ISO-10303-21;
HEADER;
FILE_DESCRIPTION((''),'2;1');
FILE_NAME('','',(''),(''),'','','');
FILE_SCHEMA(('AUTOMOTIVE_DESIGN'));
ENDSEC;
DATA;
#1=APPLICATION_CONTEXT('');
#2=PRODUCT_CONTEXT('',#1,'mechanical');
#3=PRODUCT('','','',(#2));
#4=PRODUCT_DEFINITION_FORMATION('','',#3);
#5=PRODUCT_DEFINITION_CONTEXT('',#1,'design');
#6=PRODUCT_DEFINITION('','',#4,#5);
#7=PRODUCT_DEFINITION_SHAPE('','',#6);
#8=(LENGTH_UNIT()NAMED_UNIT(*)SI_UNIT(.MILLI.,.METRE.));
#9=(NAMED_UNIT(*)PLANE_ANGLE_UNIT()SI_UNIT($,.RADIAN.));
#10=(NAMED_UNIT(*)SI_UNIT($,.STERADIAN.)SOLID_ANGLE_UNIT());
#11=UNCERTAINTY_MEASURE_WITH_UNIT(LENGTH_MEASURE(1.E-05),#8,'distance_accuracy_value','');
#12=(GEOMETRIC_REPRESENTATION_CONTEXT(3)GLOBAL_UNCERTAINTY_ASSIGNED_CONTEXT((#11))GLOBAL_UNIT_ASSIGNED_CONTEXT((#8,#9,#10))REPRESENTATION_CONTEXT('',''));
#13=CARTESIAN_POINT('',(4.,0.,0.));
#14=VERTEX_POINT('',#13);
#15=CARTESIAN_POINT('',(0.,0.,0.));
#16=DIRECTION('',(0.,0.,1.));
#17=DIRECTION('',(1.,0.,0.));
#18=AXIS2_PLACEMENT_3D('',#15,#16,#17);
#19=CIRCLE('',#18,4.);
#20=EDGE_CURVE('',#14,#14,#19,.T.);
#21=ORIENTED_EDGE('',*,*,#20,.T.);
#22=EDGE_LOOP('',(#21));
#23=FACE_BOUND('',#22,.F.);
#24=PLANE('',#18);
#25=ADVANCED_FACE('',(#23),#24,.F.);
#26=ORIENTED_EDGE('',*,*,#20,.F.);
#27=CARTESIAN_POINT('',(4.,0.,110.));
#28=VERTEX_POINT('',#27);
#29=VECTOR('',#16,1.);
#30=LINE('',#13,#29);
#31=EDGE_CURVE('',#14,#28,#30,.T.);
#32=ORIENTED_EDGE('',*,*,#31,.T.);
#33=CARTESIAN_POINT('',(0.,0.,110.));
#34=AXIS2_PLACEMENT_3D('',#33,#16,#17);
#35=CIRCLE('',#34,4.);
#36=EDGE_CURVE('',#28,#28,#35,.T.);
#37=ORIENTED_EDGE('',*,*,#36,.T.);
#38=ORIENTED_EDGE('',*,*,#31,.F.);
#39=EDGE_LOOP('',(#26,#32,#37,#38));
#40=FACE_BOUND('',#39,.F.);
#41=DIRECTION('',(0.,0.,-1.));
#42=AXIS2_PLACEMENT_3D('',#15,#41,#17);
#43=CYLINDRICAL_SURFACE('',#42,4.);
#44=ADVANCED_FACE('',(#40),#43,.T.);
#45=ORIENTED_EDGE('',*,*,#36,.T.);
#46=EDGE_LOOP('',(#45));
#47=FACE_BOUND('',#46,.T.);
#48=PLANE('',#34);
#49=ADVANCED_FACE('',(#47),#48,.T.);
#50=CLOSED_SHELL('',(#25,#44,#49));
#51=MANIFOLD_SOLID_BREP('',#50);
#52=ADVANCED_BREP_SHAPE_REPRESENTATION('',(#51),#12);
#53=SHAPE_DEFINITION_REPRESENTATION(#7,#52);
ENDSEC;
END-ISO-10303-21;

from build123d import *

# Parameters (mm, degrees)
SKETCH1_R           = 4
BOSS_EXTRUDE1_DEPTH = 110


with BuildPart() as part:
    # Sketch1 → Boss-Extrude1 (new body)
    with BuildSketch(Plane.XY):
        Circle(SKETCH1_R)
    extrude(amount=BOSS_EXTRUDE1_DEPTH)


solid = part.part
